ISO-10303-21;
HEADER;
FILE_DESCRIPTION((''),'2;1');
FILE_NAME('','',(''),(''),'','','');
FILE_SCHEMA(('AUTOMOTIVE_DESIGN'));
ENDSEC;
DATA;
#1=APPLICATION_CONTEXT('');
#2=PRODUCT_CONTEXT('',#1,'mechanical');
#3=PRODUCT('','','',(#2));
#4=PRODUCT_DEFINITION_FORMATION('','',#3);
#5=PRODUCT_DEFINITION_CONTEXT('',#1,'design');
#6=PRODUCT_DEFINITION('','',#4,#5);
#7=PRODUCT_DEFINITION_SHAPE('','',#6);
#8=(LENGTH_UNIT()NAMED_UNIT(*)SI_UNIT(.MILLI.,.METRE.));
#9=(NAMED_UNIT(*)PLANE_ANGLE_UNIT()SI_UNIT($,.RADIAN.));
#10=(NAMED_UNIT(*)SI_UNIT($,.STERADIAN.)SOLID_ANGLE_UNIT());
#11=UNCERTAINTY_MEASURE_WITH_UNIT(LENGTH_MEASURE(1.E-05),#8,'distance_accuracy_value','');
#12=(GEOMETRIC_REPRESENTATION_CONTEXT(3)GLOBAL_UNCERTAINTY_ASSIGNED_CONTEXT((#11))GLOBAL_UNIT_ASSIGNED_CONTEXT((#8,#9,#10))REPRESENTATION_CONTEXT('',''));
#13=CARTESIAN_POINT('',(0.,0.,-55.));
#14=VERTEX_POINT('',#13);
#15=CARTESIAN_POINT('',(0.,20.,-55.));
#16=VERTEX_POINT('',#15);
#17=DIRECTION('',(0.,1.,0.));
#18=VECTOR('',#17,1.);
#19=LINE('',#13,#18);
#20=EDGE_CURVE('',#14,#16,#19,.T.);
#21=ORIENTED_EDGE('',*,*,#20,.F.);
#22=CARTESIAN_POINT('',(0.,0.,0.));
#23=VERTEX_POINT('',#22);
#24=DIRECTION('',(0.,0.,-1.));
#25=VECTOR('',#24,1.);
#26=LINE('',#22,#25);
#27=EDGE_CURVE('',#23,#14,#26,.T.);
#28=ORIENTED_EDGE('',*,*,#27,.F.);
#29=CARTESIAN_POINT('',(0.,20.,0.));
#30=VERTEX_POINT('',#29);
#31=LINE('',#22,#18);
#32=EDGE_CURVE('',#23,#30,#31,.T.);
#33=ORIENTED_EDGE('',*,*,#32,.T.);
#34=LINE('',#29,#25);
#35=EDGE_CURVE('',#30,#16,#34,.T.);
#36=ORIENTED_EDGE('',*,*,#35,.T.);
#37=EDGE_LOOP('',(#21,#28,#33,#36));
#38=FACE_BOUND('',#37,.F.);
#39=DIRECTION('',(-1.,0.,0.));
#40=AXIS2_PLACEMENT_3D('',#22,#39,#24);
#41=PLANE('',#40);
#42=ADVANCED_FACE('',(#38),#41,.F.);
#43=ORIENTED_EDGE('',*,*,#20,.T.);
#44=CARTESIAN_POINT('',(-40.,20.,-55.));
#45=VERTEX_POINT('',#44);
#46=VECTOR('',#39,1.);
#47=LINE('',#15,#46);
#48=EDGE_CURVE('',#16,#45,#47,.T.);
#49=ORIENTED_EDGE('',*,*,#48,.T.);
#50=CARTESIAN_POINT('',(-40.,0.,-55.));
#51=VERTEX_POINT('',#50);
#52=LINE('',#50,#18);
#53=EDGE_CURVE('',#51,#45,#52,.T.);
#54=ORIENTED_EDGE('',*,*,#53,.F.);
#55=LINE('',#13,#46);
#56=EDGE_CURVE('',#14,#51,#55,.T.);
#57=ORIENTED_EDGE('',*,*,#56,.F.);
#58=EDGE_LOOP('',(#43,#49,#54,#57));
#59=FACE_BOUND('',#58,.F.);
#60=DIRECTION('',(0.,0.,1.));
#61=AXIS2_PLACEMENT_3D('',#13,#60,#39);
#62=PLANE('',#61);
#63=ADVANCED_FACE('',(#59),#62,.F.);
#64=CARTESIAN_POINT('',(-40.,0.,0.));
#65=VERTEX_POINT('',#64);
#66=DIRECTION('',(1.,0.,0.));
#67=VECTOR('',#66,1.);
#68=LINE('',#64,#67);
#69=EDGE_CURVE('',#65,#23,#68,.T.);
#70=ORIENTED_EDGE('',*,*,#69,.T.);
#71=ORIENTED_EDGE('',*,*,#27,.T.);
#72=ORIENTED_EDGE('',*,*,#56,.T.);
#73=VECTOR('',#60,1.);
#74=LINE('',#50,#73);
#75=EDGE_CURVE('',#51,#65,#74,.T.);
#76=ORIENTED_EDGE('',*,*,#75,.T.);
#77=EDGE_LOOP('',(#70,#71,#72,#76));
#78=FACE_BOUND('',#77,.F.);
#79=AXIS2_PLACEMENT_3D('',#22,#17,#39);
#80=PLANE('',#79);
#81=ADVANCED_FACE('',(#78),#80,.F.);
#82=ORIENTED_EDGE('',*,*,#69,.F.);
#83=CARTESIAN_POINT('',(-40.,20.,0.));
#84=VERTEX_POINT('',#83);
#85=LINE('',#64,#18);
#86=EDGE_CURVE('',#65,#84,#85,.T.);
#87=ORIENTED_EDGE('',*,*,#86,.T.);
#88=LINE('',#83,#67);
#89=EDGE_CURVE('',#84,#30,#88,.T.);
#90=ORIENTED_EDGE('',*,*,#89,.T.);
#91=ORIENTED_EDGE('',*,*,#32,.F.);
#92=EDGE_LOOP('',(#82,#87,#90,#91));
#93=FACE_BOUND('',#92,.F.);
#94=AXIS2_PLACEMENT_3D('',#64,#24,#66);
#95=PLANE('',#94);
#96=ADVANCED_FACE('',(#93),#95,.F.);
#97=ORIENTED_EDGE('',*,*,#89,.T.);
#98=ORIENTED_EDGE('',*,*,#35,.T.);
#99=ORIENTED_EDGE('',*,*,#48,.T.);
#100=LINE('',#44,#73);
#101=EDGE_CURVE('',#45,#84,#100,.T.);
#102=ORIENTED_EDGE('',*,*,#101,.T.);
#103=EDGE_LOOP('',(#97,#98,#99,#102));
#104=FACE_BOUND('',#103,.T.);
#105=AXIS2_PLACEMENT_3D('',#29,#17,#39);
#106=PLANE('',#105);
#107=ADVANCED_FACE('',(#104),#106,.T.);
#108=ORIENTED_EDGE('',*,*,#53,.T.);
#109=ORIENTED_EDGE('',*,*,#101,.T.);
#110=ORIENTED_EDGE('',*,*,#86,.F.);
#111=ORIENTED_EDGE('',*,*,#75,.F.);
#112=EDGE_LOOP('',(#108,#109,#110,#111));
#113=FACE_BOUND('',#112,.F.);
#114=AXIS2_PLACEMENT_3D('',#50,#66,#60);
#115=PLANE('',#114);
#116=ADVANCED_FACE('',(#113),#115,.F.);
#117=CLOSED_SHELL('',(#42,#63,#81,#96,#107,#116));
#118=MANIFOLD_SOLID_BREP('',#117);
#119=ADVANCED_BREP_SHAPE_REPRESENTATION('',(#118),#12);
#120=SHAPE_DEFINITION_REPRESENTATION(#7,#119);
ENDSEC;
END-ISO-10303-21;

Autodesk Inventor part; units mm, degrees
ref_plane "YZ Plane" through (0, 0, 0) normal (1, 0, 0) x (0, 1, 0)
ref_plane "XZ Plane" through (0, 0, 0) normal (0, 1, 0) x (-1, 0, 0)
ref_plane "XY Plane" through (0, 0, 0) normal (0, 0, 1) x (1, 0, 0)
sketch "スケッチ1" plane through (0, 0, 0) normal (0, 1, 0) x (-1, 0, 0)
  line L0 (40, 0) -> (0, 0)
  line L1 (0, 0) -> (0, -55)
  line L2 (0, -55) -> (40, -55)
  line L3 (40, -55) -> (40, 0)
  dimension "d0" = 40
  dimension "d1" = 55
extrude "押し出し1" add sketch "スケッチ1" along normal blind 20
properties part number "motor_driver"
